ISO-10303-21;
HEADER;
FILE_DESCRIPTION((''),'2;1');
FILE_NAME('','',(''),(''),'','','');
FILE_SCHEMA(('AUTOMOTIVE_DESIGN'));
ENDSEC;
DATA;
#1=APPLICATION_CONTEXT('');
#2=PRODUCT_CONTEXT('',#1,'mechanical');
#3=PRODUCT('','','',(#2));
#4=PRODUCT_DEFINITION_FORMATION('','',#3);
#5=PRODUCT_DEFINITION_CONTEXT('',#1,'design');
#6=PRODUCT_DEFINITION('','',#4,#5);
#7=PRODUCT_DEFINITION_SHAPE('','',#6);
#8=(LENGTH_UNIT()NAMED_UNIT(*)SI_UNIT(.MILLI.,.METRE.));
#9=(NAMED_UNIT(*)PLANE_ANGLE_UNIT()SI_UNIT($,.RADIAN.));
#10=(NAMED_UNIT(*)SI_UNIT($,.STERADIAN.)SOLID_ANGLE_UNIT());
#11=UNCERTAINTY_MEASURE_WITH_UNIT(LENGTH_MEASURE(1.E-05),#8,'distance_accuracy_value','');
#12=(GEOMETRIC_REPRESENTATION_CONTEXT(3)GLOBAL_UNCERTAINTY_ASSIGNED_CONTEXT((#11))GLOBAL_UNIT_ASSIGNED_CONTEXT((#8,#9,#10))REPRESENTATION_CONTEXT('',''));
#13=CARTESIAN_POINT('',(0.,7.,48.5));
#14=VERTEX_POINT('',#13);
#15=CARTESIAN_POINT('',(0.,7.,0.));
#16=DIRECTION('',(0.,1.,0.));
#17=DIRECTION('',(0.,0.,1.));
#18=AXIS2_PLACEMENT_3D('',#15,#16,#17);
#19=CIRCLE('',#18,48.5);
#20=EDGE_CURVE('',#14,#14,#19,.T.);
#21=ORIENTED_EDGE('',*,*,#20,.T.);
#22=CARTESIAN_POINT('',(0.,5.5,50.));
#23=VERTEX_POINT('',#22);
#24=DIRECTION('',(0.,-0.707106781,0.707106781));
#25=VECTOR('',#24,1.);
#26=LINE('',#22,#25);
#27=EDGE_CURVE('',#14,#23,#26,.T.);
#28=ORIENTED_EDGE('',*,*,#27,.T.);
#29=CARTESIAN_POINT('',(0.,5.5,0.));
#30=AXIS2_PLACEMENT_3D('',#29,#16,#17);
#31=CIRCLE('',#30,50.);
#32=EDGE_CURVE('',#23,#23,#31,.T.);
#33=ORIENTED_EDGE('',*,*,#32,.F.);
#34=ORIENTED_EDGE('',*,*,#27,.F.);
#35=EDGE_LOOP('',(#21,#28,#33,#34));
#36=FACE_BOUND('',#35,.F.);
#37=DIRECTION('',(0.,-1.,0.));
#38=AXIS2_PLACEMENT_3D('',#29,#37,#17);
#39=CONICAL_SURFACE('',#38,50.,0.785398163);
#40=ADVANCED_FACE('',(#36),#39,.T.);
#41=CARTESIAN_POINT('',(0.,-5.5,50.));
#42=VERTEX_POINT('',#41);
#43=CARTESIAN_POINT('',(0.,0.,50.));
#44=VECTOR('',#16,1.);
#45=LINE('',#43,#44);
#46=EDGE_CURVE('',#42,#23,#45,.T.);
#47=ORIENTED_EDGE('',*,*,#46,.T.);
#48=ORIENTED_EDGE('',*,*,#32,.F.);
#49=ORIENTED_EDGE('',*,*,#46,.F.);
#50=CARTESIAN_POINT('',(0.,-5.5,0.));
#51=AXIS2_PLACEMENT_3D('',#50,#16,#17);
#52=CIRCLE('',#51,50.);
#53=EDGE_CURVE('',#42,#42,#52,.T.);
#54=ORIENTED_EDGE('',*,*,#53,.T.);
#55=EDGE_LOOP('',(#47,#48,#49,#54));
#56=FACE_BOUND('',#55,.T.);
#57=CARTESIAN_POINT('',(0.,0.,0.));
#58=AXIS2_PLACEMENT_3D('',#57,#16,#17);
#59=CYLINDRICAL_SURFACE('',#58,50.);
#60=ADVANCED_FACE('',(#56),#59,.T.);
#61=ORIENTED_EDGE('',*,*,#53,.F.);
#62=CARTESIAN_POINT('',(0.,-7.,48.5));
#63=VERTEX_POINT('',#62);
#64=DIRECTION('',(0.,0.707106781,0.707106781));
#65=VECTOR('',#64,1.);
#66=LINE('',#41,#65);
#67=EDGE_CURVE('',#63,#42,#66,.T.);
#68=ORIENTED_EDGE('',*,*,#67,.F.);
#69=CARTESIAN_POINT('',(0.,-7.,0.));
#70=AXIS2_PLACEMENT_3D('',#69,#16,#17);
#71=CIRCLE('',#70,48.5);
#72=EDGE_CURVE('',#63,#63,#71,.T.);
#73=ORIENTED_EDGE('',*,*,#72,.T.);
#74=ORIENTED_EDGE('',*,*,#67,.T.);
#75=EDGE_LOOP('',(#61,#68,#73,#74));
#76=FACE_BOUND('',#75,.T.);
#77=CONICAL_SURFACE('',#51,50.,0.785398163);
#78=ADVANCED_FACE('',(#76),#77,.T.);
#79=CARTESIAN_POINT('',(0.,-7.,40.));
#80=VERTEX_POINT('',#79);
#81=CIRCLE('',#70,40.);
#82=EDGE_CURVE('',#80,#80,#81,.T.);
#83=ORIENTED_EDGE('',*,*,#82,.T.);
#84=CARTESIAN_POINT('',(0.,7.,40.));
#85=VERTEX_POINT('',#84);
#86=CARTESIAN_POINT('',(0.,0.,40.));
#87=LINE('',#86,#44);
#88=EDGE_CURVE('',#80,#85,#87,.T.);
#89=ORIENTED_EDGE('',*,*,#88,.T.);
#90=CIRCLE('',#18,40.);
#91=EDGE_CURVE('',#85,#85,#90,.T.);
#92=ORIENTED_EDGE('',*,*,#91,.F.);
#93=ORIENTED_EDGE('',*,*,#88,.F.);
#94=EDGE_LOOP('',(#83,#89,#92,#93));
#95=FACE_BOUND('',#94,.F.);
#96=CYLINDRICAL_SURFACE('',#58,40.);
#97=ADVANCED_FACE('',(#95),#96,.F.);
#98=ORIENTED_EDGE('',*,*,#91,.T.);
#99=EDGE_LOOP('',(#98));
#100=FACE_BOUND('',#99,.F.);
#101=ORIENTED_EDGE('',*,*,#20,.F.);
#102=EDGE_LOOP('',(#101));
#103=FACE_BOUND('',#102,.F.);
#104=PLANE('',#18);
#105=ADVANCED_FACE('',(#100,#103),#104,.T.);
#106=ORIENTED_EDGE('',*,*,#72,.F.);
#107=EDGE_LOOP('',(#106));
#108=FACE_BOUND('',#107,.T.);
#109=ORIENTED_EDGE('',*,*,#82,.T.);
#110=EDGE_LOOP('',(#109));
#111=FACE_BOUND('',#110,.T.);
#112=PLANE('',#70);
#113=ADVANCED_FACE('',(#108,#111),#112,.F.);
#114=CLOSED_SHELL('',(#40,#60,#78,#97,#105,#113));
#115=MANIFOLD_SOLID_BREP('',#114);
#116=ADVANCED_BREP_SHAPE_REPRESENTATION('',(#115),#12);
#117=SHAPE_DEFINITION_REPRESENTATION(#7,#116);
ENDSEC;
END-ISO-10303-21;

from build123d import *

# Parameters (mm, degrees)
SKETCH_W     = 14
SKETCH_H     = 10
CHAMFER_SIZE = 1.5


with BuildPart() as part:
    # Sketch → Revolution (revolve)
    with BuildSketch(Plane.YZ):
        with Locations((0, 45)):
            Rectangle(SKETCH_W, SKETCH_H)
    revolve(axis=Axis((0, 0, 0), (0, 1, 0)))

    # Chamfer
    chamfer_edges = [part.edges().sort_by_distance(p)[0] for p in [
        (0, -7, -50),
        (0, 7, -50),
    ]]
    chamfer(chamfer_edges, length=CHAMFER_SIZE)


solid = part.part
